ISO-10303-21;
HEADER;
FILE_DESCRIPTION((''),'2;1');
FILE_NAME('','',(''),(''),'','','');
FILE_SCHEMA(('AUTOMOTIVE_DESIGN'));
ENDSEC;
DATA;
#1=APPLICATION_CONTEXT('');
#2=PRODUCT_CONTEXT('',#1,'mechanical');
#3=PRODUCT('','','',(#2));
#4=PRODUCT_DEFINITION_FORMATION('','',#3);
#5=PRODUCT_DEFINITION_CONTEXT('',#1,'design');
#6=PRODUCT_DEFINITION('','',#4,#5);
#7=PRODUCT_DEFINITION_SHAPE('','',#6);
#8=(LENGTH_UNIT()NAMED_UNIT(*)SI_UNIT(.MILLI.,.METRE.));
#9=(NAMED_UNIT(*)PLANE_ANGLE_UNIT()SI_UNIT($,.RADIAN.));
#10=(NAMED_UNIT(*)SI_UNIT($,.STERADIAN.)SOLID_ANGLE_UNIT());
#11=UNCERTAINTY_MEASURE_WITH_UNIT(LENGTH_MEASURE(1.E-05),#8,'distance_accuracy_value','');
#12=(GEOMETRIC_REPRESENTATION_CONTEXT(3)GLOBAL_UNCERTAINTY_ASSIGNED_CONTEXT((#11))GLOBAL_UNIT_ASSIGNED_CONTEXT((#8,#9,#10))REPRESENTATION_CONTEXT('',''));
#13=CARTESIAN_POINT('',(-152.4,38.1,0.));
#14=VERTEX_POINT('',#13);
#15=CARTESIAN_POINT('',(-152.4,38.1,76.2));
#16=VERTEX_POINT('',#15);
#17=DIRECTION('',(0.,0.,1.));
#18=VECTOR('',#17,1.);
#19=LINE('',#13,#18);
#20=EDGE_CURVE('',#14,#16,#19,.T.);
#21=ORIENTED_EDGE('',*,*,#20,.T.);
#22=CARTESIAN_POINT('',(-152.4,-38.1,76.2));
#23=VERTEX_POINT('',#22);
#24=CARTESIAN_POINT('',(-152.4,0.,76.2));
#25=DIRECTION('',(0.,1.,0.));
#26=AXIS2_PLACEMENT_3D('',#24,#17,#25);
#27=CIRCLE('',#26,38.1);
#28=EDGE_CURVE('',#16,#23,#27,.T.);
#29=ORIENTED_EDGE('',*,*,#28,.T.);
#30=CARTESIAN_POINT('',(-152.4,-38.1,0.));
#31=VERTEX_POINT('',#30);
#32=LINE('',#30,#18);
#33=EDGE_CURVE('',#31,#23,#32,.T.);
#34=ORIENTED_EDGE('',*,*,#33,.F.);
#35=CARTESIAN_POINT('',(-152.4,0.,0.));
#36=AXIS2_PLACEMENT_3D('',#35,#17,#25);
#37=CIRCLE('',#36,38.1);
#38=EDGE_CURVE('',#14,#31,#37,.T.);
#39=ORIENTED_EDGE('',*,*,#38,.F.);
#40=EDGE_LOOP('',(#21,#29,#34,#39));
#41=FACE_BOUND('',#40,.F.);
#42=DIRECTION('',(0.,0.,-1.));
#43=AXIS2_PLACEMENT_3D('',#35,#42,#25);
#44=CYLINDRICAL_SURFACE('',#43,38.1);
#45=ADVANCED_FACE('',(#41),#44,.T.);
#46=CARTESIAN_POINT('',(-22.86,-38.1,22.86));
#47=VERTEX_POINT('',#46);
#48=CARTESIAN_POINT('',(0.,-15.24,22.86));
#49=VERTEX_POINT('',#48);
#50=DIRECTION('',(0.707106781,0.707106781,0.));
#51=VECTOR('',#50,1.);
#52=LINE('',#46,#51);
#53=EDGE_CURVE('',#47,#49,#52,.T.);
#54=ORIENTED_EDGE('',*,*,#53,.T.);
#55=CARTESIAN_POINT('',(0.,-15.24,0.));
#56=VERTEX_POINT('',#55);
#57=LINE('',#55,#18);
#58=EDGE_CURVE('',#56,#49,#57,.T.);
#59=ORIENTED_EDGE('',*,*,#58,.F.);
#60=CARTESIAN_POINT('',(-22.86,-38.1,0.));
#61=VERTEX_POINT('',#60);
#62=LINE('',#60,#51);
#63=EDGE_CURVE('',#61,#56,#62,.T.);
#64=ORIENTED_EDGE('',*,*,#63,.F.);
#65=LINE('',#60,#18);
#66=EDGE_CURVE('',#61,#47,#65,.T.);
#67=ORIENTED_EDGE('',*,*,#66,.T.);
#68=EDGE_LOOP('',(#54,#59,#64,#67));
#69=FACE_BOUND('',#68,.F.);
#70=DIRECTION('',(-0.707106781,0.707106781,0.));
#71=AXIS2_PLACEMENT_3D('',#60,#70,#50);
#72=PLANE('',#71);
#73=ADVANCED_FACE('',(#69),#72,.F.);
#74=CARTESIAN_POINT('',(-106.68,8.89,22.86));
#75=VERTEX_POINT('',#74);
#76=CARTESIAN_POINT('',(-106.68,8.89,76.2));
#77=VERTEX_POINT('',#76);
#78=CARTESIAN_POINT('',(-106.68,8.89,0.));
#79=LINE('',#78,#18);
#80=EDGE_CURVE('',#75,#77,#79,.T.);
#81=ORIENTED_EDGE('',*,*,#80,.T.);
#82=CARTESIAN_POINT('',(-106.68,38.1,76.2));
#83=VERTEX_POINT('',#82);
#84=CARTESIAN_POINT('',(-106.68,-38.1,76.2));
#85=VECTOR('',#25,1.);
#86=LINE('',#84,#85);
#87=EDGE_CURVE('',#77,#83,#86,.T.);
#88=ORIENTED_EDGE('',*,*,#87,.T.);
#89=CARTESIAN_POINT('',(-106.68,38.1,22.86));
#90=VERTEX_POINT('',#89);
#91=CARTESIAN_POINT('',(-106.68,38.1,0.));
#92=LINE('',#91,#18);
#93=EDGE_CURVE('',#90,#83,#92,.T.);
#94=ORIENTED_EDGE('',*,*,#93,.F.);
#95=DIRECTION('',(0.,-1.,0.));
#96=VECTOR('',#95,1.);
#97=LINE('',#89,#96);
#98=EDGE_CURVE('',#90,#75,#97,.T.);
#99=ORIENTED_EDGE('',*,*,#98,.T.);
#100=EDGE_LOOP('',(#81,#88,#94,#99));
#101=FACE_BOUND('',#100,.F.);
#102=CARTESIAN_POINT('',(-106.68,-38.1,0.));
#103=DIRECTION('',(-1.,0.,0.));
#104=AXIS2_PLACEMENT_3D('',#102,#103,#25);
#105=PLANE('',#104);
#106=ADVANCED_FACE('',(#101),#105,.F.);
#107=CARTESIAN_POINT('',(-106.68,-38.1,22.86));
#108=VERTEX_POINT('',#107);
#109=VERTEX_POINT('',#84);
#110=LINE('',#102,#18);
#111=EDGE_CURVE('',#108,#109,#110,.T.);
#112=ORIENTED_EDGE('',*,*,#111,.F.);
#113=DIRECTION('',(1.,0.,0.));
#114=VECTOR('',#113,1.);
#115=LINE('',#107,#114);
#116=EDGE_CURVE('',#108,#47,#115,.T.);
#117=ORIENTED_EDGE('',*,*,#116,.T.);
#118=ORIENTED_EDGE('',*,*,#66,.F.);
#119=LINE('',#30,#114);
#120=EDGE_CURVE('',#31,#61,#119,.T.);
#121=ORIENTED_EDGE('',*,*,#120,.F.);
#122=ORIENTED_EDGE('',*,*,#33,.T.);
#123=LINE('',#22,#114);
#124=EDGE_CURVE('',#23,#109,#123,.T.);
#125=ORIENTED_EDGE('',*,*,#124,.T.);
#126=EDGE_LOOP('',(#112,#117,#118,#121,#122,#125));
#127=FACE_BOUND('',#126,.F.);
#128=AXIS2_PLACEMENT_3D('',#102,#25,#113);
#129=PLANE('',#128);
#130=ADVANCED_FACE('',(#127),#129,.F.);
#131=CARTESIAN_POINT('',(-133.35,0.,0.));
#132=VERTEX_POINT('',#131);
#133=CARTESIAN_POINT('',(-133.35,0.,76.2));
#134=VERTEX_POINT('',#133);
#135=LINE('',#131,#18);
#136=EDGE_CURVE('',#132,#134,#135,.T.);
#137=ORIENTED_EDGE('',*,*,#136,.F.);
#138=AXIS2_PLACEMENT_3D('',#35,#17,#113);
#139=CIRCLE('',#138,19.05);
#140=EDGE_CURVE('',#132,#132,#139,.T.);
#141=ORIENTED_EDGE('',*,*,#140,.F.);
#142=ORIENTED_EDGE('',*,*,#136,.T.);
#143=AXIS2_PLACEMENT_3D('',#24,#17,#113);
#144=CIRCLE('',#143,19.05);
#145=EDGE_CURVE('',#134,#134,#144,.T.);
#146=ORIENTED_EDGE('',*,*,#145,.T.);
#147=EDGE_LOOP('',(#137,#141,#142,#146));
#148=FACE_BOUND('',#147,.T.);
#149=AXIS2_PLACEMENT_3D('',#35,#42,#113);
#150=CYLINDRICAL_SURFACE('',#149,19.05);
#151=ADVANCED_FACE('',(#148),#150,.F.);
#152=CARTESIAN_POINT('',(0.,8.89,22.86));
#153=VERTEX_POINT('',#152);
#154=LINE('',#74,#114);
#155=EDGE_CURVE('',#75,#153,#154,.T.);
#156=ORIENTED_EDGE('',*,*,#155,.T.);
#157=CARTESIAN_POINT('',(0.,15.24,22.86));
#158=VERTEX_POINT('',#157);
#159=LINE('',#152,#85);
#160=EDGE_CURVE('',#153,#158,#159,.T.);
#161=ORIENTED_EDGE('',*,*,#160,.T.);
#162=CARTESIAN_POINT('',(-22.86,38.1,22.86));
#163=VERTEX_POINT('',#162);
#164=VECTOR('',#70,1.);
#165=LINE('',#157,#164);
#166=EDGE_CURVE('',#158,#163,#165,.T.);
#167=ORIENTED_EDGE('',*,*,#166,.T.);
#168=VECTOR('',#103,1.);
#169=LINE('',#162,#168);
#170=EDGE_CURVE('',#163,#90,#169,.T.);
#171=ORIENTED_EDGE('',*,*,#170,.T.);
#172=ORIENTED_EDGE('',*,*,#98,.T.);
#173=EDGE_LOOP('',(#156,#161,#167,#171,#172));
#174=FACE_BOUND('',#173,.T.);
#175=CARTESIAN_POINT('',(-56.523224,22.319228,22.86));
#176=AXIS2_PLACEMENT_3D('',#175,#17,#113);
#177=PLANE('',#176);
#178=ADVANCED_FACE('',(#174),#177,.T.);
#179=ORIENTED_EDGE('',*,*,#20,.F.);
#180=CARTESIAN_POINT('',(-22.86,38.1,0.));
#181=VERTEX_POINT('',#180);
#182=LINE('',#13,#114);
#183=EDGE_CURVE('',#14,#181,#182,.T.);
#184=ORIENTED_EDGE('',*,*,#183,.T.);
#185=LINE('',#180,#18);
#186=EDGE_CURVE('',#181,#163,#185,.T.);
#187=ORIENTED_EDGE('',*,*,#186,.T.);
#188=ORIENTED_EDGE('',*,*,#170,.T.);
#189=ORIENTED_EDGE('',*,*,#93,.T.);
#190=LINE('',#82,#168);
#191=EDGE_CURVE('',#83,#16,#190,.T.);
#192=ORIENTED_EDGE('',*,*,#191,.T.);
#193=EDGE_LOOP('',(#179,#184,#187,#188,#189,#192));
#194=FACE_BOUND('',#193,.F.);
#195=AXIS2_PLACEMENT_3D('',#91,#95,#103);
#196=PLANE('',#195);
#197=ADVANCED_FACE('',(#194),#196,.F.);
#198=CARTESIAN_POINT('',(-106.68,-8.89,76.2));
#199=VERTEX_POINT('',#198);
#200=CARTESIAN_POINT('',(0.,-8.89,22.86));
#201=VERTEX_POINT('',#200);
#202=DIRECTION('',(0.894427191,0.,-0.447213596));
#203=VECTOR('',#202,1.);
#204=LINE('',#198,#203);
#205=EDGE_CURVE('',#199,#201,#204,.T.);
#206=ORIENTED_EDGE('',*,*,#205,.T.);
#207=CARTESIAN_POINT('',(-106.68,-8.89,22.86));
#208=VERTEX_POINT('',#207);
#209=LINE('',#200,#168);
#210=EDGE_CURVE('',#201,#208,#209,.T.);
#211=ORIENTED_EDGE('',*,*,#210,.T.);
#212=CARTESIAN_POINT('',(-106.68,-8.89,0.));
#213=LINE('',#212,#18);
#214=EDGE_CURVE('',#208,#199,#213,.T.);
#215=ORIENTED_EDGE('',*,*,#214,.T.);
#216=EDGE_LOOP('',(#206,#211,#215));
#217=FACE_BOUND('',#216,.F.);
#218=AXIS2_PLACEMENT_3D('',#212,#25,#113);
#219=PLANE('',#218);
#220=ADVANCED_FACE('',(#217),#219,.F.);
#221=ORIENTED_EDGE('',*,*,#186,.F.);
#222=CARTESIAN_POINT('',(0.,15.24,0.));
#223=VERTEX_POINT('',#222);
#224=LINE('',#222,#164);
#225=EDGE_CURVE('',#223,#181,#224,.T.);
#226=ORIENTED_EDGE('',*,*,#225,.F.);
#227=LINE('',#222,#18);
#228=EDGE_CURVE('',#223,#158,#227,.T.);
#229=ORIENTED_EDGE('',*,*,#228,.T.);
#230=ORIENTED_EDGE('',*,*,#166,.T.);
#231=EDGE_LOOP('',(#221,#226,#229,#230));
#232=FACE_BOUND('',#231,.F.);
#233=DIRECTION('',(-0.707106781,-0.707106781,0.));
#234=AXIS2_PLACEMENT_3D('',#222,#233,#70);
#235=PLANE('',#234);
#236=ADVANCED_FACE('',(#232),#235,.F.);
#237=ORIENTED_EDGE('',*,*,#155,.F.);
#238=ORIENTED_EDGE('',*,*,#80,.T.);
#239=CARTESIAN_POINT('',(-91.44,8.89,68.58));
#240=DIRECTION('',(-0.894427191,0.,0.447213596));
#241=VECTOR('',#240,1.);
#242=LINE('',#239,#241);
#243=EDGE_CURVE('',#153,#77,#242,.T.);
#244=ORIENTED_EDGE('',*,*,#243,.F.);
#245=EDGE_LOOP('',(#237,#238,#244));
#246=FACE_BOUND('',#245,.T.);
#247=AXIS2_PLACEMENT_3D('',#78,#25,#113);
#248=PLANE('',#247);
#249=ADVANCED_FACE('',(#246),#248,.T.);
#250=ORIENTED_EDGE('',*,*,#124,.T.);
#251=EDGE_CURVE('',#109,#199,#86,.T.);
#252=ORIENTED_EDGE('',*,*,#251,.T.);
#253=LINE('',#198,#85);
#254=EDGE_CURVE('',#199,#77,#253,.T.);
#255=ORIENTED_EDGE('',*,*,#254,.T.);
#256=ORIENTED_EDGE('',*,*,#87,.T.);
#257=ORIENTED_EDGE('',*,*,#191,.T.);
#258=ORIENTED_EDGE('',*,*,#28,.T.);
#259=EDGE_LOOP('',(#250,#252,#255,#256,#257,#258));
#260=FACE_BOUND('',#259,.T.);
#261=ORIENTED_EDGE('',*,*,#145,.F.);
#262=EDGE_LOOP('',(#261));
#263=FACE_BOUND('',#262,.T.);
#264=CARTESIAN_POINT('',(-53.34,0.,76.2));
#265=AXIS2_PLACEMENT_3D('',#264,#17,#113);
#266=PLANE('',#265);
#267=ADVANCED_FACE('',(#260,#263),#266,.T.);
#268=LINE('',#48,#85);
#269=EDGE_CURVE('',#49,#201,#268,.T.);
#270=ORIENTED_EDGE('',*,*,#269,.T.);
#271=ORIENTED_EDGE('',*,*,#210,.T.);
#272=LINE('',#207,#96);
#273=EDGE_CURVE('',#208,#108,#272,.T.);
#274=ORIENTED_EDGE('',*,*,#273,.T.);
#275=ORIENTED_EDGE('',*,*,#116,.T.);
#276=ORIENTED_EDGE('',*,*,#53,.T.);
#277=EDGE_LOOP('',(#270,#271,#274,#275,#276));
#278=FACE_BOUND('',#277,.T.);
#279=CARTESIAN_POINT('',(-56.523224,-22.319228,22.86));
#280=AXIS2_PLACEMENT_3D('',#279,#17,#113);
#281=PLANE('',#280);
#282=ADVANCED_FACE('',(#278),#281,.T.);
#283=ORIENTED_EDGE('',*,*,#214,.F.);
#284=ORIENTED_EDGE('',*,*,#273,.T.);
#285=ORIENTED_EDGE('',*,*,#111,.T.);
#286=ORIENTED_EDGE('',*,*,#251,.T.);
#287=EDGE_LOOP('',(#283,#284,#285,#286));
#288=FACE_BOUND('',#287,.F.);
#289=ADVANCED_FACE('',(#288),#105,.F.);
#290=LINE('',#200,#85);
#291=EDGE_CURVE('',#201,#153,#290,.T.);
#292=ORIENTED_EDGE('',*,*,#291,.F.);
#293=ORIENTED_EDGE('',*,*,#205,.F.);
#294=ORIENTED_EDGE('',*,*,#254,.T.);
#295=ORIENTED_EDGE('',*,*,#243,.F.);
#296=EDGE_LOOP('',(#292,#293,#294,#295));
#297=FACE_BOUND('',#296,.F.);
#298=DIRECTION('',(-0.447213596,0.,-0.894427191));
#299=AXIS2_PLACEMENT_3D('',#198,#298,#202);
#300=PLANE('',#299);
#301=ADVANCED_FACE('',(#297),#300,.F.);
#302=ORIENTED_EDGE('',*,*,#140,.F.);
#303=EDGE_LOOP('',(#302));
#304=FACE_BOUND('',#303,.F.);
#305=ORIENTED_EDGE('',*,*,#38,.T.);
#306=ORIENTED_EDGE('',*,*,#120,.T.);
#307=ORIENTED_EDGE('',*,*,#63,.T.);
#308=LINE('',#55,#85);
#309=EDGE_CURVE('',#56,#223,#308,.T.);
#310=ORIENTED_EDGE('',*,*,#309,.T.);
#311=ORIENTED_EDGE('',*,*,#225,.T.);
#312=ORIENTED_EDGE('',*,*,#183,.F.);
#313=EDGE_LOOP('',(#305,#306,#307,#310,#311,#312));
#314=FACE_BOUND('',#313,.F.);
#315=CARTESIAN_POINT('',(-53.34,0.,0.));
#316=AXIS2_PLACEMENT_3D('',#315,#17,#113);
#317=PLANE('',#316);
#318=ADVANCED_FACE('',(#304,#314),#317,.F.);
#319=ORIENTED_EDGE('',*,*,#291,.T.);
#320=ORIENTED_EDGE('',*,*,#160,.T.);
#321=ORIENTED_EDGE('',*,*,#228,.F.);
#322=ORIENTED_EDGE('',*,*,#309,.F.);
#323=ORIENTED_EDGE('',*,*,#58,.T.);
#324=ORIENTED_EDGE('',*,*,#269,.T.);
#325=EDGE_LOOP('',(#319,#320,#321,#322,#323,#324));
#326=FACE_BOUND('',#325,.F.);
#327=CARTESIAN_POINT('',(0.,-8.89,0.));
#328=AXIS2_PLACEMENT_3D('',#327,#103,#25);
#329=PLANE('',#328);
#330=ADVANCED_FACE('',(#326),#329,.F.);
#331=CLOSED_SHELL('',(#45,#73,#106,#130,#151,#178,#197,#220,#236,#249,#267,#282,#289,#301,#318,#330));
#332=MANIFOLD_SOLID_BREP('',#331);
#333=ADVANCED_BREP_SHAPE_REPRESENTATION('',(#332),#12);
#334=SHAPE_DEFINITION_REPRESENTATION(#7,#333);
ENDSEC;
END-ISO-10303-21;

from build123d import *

# Parameters (mm, degrees)
F0_R     = 19.05
F1_DEPTH = 76.2
F2_DEPTH = 22.86
F0_W     = 106.68
F0_H     = 17.78
F3_DEPTH = 76.2
F5_DEPTH = 254


with BuildPart() as f1:
    # F0 (on Top) → F1 (new body)
    with BuildSketch(Plane.XY):
        with BuildLine():
            Line((-106.68, 38.1), (-152.4, 38.1))
            ThreePointArc((-152.4, 38.1), (-190.5, 0), (-152.4, -38.1))
            Line((-152.4, -38.1), (-106.68, -38.1))
            Line((-106.68, -38.1), (-106.68, -8.89))
            Line((-106.68, -8.89), (-106.68, 8.89))
            Line((-106.68, 8.89), (-106.68, 38.1))
        make_face()
        with Locations((-152.4, 0)):
            Circle(F0_R, mode=Mode.SUBTRACT)
    extrude(amount=F1_DEPTH)

    # F0 (on Top) → F2 (join)
    with BuildSketch(Plane.XY):
        Polygon((-106.68, -8.89), (-106.68, -38.1), (-22.86, -38.1), (0, -15.24), (0, -8.89), align=None)
        Polygon((-22.86, 38.1), (-106.68, 38.1), (-106.68, 8.89), (0, 8.89), (0, 15.24), align=None)
    extrude(amount=F2_DEPTH)

    # F0 (on Top) → F3 (join)
    with BuildSketch(Plane.XY):
        with Locations((-53.34, 0)):
            Rectangle(F0_W, F0_H)
    extrude(amount=F3_DEPTH)

    # F4 (on face) → F5 (cut)
    with BuildSketch(Plane.XZ.offset(8.89)):
        Polygon((0, 76.2), (-106.68, 76.2), (0, 22.86), align=None)
    extrude(amount=-F5_DEPTH, mode=Mode.SUBTRACT)


solid = f1.part
